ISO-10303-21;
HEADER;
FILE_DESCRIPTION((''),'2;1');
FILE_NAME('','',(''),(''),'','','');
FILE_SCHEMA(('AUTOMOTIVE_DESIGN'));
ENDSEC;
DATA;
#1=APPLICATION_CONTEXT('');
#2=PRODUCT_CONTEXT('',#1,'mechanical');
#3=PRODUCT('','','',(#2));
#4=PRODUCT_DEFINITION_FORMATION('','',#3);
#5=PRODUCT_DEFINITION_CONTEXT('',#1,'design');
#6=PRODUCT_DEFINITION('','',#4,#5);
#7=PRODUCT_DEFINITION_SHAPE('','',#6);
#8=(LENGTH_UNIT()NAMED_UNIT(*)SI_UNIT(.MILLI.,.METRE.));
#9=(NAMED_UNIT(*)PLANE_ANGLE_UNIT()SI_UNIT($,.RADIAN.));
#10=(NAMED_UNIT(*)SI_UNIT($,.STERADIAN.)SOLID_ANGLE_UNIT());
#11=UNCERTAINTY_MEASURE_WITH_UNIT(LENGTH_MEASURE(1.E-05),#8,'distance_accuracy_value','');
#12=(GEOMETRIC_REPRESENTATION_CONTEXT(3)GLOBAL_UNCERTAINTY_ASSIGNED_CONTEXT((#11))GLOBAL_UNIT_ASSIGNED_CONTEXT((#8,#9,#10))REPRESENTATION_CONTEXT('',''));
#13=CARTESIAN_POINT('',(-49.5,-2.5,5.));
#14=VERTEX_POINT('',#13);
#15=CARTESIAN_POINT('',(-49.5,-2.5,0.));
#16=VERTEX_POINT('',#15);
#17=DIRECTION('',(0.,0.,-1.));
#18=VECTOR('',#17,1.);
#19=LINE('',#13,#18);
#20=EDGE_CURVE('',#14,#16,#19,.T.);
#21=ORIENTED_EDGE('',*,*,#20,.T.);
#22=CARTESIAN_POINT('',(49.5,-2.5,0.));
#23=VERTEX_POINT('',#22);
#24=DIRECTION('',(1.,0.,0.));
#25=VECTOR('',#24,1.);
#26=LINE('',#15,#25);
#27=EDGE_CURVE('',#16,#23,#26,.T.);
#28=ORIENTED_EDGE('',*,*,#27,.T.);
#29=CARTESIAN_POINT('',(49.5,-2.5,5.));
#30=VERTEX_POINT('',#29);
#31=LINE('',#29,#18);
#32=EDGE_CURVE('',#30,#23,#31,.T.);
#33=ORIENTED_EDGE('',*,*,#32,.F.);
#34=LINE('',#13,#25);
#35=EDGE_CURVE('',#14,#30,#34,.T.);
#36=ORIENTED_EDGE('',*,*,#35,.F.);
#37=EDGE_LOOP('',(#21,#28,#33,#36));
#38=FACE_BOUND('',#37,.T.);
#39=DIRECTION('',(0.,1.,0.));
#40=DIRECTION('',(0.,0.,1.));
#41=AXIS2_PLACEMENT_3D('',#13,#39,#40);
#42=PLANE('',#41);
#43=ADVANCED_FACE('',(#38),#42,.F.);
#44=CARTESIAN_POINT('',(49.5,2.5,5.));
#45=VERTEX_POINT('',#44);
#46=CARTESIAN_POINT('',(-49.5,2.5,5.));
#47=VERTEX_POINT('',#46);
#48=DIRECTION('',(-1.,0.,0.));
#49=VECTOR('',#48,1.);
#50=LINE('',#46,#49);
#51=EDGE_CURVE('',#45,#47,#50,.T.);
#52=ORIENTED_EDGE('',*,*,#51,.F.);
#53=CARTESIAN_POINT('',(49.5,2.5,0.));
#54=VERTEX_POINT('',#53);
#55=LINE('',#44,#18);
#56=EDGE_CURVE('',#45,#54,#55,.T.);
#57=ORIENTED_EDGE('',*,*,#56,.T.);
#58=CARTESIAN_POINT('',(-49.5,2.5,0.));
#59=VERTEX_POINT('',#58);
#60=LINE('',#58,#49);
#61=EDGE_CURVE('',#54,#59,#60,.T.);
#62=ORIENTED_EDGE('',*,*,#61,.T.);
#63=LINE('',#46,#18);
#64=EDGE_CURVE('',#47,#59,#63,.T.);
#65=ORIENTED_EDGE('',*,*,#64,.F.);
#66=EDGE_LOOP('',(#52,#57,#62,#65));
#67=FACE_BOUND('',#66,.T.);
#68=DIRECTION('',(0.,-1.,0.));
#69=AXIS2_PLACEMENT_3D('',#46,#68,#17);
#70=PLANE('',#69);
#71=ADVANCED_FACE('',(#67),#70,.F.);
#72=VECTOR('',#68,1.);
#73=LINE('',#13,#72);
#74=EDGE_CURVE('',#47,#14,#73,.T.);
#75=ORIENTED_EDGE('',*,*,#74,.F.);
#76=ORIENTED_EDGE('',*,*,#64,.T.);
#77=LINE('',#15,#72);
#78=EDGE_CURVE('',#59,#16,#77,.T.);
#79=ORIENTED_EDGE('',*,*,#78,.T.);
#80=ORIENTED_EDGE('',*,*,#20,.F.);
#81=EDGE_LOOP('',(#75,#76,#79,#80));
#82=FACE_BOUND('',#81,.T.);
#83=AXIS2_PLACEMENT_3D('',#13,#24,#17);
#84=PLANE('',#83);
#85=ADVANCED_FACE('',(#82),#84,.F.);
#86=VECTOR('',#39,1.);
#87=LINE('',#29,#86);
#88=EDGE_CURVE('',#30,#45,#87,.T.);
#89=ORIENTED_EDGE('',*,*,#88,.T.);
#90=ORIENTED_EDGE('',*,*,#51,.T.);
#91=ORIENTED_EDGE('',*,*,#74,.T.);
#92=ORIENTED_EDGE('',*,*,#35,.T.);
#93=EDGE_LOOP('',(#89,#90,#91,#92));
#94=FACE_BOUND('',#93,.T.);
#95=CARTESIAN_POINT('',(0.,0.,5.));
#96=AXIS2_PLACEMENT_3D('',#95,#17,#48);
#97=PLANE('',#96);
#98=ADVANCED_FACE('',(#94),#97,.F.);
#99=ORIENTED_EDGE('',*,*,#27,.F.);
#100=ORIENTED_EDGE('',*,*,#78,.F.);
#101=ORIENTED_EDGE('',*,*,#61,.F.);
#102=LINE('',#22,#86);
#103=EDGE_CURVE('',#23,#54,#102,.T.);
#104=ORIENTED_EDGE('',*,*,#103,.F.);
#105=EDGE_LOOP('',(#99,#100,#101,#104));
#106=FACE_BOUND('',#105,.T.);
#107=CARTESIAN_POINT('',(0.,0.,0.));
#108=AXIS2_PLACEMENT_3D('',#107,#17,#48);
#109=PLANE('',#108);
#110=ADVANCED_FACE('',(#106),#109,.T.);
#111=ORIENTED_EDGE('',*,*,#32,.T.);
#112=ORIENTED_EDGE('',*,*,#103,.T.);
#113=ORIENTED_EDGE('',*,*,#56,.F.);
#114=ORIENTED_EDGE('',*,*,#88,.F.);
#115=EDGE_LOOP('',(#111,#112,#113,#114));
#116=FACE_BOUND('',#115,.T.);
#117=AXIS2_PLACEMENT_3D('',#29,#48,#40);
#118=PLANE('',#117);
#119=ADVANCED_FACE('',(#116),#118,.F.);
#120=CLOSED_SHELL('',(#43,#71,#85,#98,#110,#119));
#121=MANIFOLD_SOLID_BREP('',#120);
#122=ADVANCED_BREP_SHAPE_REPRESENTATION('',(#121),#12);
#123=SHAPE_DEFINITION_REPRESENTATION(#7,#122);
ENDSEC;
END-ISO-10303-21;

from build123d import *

# Parameters (mm, degrees)
SKETCH1_W           = 99
SKETCH1_H           = 5
BOSS_EXTRUDE1_DEPTH = 5


with BuildPart() as part:
    # Sketch1 → Boss-Extrude1 (new body)
    with BuildSketch(Plane.XY):
        Rectangle(SKETCH1_W, SKETCH1_H)
    extrude(amount=BOSS_EXTRUDE1_DEPTH)


solid = part.part
